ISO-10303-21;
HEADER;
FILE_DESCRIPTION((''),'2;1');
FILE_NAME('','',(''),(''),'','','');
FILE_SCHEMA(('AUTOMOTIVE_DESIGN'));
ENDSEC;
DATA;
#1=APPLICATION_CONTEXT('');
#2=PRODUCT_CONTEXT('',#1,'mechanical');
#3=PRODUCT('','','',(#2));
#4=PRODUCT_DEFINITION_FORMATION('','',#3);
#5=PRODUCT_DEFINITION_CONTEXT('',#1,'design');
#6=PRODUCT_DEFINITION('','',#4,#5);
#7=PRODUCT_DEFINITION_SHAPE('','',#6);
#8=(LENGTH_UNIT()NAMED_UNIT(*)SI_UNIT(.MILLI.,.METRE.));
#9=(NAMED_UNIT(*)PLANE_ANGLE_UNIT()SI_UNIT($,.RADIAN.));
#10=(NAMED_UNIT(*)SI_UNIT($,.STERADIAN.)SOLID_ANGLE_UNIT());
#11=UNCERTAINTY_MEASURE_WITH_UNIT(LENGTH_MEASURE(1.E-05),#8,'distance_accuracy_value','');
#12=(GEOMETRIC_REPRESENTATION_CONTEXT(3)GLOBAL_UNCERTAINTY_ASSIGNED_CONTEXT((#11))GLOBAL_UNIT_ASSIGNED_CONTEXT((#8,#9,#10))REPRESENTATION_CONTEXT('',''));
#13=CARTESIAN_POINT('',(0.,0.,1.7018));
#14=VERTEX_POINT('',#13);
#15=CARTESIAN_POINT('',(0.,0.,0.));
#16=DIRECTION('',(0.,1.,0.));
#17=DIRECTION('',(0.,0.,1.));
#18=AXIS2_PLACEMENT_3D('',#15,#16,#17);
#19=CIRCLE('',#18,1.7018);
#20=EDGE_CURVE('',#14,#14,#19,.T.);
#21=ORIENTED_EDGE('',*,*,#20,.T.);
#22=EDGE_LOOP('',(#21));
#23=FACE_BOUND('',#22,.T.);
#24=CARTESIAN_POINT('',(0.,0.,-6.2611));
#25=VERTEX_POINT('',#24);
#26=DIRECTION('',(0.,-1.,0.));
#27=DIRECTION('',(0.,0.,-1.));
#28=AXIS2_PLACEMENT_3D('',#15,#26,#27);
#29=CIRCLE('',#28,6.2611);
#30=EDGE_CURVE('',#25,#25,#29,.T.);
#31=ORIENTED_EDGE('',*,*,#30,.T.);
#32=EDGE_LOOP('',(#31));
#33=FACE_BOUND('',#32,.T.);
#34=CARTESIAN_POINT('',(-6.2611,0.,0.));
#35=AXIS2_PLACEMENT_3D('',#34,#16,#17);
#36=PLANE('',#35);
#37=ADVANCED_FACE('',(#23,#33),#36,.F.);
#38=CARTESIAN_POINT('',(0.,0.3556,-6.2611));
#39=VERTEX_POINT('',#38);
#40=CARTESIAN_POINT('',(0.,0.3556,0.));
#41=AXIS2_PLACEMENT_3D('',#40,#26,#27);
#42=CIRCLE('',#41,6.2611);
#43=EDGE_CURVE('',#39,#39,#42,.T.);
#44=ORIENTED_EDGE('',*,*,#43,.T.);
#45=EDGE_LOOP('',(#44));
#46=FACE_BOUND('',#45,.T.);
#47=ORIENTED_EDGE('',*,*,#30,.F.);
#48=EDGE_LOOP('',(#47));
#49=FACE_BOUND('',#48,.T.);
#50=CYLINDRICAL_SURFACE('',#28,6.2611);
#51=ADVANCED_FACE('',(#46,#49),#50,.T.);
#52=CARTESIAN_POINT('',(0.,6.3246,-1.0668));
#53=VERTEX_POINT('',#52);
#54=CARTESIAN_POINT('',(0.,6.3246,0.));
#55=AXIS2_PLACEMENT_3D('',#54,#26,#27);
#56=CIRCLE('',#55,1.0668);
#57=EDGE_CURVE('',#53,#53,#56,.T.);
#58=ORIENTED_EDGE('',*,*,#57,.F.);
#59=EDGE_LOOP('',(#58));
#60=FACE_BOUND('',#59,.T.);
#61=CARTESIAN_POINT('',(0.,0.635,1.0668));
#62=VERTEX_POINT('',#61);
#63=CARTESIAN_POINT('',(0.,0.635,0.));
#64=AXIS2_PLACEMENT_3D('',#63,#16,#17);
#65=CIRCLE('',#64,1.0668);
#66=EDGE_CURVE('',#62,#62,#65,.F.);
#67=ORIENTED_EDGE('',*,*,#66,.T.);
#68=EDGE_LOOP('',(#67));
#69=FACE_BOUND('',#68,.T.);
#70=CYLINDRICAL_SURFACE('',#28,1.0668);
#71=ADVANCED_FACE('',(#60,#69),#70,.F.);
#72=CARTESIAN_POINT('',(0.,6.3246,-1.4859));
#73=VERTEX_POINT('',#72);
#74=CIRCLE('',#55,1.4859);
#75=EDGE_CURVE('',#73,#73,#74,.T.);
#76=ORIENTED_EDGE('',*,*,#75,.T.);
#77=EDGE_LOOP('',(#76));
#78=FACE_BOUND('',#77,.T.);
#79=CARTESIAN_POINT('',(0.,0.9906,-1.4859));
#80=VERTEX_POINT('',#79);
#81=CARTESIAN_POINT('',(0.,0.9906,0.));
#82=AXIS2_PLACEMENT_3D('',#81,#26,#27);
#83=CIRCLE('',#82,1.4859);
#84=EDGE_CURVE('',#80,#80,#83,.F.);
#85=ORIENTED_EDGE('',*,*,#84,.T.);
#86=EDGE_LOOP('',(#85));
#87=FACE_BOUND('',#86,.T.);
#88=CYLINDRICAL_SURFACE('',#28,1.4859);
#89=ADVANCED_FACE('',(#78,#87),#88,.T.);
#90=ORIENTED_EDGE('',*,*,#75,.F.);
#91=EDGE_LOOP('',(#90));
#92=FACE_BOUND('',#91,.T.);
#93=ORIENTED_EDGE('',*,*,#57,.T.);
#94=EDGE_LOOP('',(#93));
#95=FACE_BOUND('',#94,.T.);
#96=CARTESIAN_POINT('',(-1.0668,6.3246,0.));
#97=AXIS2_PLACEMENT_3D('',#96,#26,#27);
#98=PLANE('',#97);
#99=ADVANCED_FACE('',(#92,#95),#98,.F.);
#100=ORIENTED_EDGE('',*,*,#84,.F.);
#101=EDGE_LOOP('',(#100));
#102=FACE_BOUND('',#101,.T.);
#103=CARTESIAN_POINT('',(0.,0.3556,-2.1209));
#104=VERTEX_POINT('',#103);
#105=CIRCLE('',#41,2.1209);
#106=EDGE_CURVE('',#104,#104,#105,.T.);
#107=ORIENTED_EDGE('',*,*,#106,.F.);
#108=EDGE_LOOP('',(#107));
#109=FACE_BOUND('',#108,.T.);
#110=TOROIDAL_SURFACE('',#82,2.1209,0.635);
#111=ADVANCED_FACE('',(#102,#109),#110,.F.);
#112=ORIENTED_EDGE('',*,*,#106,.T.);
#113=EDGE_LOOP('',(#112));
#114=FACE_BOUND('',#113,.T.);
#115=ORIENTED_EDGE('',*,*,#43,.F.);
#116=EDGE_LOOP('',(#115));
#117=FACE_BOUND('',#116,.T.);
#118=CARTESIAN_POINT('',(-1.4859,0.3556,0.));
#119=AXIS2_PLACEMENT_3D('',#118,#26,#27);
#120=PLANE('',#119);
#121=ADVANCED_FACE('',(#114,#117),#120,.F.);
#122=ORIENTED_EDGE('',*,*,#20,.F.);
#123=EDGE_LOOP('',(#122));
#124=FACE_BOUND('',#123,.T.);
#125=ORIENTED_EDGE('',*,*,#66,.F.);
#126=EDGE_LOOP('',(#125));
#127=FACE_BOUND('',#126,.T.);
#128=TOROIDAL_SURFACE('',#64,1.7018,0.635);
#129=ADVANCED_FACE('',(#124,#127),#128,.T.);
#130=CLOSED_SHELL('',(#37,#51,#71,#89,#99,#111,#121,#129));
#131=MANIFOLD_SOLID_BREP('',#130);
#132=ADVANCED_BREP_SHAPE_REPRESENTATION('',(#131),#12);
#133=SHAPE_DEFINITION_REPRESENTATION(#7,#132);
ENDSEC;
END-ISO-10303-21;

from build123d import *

# Parameters (mm, degrees)
FILLET1_R = 0.635


with BuildPart() as part:
    # Sketch1 → Revolve1 (revolve)
    with BuildSketch(Plane.XY, mode=Mode.PRIVATE) as revolve1_sk:
        Polygon((-1.0668, 0), (-1.0668, 6.3246), (-1.4859, 6.3246), (-1.4859, 0.3556), (-6.2611, 0.3556), (-6.2611, 0), align=None)
    revolve(revolve1_sk.sketch.rotate(Axis((0, 0, 0), (0, 1, 0)), 270), axis=Axis((0, 0, 0), (0, 1, 0)))

    # Fillet1
    fillet1_edges = [part.edges().sort_by_distance(p)[0] for p in [
        (0, 0.3556, 1.4859),
        (0, 0, 1.0668),
    ]]
    fillet(fillet1_edges, radius=FILLET1_R)


solid = part.part
